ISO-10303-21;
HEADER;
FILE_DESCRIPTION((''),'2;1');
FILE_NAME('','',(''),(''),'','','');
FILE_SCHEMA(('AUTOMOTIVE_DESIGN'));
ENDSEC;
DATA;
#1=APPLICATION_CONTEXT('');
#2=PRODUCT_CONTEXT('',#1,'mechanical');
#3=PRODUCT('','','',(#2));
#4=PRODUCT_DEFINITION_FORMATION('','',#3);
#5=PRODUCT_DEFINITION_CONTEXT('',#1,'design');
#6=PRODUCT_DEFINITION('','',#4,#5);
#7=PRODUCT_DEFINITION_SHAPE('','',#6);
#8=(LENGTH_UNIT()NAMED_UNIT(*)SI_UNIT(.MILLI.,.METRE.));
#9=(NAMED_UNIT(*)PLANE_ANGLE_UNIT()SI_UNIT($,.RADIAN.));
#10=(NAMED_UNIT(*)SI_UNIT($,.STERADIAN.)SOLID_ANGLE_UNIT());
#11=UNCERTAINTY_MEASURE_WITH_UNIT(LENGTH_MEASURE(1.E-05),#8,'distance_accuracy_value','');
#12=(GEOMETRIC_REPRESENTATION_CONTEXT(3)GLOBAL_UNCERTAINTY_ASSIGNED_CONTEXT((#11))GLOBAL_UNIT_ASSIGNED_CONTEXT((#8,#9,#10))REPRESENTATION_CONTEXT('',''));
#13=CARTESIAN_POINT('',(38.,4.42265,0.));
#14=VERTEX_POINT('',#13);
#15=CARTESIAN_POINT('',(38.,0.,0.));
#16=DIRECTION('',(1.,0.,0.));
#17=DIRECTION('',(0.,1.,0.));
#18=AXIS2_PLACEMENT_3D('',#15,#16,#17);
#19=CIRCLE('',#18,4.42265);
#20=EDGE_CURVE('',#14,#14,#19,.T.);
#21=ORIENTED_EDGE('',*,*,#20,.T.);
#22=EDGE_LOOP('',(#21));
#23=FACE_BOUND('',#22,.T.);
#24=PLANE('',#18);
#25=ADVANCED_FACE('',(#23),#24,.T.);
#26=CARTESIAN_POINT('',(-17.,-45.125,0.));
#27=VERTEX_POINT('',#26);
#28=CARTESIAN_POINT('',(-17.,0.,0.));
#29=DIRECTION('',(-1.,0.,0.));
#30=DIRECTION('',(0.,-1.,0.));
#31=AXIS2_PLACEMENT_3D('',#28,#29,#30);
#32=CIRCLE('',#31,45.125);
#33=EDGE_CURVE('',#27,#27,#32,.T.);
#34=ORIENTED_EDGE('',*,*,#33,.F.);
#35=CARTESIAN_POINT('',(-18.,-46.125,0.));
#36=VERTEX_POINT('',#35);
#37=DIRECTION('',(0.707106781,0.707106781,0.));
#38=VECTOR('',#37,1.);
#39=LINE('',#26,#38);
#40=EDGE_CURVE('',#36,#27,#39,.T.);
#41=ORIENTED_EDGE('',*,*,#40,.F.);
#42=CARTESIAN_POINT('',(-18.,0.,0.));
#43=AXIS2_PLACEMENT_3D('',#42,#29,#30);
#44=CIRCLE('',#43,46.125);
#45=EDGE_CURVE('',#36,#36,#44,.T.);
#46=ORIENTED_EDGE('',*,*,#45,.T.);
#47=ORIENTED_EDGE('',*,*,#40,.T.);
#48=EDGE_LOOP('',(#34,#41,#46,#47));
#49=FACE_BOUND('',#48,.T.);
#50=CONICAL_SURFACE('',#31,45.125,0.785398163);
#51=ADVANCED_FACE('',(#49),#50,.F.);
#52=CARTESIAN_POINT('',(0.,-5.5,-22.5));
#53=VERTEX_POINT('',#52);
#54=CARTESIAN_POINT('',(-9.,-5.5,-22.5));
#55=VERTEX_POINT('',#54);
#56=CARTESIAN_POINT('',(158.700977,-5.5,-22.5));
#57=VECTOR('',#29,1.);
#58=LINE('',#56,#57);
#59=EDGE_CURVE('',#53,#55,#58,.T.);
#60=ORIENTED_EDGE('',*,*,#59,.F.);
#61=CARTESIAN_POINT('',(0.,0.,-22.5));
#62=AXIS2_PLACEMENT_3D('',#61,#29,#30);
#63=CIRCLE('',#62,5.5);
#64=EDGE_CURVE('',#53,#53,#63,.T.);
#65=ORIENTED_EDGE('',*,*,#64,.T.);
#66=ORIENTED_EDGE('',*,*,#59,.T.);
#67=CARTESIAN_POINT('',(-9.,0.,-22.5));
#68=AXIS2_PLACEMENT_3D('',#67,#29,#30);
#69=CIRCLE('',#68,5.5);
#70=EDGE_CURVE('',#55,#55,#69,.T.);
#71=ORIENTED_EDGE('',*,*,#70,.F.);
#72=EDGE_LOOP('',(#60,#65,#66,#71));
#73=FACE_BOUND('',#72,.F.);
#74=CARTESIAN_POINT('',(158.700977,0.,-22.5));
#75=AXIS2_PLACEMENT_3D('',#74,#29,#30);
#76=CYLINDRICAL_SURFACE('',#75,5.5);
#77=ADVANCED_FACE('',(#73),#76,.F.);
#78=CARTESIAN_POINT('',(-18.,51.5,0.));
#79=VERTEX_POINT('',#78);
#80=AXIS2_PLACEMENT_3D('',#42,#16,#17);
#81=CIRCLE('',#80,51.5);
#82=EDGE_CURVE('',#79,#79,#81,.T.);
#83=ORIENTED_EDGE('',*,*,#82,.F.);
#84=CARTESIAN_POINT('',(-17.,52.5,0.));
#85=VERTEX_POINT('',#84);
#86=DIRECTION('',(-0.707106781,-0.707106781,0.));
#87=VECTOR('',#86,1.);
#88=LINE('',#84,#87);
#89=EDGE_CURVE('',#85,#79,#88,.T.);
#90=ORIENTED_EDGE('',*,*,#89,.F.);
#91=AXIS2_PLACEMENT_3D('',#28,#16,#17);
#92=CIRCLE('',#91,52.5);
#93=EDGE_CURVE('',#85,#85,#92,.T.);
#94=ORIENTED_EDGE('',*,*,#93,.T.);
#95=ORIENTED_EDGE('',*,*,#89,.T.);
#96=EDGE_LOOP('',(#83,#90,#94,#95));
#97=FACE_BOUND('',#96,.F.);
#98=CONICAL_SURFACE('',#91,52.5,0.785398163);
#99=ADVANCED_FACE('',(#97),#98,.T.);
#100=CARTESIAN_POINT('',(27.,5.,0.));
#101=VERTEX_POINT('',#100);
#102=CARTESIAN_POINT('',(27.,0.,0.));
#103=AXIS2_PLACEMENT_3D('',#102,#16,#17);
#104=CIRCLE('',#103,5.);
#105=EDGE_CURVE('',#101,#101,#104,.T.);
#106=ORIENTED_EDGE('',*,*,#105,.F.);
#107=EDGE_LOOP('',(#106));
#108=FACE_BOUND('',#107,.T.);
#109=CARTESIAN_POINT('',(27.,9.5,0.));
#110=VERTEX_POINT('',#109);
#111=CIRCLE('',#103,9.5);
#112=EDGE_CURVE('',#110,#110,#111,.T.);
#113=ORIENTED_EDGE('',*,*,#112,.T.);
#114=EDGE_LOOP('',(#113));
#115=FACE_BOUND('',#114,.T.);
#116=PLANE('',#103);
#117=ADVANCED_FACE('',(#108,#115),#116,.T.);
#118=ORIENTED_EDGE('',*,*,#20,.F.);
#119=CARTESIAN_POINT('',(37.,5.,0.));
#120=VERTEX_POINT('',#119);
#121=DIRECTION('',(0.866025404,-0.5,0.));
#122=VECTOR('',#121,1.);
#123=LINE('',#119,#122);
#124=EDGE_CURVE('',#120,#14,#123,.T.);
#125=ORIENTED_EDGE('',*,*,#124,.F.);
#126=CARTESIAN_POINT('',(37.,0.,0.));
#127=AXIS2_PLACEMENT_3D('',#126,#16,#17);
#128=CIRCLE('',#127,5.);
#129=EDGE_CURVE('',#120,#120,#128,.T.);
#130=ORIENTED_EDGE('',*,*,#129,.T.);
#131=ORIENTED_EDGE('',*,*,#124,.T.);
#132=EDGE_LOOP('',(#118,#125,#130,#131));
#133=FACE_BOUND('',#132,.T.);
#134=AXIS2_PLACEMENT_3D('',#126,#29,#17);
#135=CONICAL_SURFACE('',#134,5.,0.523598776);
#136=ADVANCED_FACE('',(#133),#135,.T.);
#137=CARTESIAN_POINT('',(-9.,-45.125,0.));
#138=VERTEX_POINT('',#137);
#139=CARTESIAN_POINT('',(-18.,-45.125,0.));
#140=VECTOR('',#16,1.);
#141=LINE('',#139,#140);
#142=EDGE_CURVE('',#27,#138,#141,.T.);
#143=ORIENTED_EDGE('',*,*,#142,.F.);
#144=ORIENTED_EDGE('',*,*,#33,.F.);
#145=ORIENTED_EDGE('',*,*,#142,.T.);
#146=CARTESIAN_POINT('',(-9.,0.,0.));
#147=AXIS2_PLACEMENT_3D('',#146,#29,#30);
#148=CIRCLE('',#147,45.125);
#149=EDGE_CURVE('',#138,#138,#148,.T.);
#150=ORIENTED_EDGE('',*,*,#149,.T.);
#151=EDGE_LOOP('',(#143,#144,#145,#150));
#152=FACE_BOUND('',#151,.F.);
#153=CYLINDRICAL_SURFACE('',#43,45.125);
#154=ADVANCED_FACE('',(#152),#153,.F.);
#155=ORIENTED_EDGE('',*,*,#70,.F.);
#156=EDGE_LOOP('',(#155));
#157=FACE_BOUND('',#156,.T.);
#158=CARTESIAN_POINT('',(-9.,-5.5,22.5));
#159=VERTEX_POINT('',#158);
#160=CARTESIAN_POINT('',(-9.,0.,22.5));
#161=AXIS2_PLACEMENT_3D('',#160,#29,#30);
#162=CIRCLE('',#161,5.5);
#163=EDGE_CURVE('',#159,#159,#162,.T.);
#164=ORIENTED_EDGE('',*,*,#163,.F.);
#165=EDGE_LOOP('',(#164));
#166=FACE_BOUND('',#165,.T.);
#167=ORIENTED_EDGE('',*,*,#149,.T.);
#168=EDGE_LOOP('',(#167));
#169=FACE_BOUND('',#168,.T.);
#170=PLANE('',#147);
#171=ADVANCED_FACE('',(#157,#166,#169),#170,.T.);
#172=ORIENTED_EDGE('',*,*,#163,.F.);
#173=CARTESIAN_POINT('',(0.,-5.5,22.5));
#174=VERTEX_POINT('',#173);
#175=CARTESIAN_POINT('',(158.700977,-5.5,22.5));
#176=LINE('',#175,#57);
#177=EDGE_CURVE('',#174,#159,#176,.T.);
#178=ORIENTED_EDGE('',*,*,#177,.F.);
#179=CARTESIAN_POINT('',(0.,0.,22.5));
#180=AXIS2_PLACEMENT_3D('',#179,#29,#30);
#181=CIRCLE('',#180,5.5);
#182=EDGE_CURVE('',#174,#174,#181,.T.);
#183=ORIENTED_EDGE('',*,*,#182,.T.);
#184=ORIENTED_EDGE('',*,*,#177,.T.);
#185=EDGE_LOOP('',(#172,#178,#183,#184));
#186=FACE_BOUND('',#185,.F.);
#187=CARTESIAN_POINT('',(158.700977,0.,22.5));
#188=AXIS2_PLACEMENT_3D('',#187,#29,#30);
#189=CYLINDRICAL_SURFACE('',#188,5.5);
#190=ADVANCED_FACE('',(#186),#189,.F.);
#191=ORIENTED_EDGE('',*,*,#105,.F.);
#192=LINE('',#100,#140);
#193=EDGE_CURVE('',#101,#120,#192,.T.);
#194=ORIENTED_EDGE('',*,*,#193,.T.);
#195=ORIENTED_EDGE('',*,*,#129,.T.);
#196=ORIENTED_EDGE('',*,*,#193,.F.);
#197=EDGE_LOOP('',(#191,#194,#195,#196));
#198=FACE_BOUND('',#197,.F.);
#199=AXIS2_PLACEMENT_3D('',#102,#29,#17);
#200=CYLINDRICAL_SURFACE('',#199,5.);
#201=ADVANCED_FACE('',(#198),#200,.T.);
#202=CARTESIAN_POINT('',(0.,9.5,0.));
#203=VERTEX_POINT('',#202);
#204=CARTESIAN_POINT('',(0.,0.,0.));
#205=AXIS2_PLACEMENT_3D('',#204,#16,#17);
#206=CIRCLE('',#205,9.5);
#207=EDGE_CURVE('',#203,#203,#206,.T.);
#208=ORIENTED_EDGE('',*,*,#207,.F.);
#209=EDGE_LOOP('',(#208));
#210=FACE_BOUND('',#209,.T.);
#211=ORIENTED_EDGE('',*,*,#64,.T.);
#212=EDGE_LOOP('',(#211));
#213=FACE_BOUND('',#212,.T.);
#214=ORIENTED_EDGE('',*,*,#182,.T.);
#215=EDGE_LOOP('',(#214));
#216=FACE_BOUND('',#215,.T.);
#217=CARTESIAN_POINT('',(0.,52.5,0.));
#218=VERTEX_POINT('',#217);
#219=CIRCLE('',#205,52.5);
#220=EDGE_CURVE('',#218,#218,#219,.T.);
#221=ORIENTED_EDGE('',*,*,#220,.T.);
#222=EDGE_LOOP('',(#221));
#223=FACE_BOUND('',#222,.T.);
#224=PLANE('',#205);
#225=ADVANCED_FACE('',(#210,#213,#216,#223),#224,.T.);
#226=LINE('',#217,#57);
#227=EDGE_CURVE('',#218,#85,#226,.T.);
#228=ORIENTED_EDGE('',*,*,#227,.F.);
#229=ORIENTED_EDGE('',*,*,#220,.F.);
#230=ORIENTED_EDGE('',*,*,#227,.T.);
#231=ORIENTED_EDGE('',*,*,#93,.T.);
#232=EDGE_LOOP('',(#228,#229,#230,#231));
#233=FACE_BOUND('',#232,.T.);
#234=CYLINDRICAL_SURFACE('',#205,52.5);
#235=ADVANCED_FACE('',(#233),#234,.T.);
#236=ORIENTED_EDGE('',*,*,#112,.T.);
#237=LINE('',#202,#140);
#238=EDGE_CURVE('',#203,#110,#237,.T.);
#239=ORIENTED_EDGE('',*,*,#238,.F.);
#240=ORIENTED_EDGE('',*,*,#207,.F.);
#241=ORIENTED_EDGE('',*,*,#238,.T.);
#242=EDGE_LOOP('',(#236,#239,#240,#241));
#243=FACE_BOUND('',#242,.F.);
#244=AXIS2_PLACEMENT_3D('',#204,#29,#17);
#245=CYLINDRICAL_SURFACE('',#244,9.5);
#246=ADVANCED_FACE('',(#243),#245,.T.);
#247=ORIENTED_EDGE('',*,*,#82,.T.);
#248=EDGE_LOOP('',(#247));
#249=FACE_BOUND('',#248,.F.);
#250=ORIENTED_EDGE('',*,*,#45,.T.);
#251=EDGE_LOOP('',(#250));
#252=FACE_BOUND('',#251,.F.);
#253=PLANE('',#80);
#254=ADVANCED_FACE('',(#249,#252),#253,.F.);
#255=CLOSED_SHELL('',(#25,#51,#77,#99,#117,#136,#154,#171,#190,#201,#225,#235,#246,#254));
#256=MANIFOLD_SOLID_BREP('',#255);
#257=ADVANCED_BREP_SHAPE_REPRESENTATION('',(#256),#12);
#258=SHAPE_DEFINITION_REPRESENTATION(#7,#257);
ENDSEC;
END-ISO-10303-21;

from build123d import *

# Parameters (mm, degrees)
F0_R     = 52.5
F1_DEPTH = 18
F2_R     = 45.125
F3_DEPTH = 9
F4_SIZE  = 1
F5_R     = 9.5
F6_DEPTH = 27
F7_R     = 5
F8_DEPTH = 11
F9_SIZE2 = 0.5773502692
F9_SIZE  = 1
F11_D    = 11


with BuildPart() as f1:
    # F0 (on Right) → F1 (new body)
    with BuildSketch(Plane.YZ):
        Circle(F0_R)
    extrude(amount=-F1_DEPTH)

    # F2 (on face) → F3 (cut)
    with BuildSketch(Plane(origin=(-18, 0, 0), x_dir=(0, -1, 0), z_dir=(-1, 0, 0))):
        Circle(F2_R)
    extrude(amount=-F3_DEPTH, mode=Mode.SUBTRACT)

    # F4
    f4_edges = [f1.edges().sort_by_distance(p)[0] for p in [
        (-18, -52.5, 0),
        (-18, 45.125, 0),
    ]]
    chamfer(f4_edges, length=F4_SIZE)

    # F5 (on face) → F6 (join)
    with BuildSketch(Plane.YZ):
        Circle(F5_R)
    extrude(amount=F6_DEPTH)

    # F7 (on face) → F8 (join)
    with BuildSketch(Plane.YZ.offset(27)):
        Circle(F7_R)
    extrude(amount=F8_DEPTH)

    # F9
    f9_edges = [f1.edges().sort_by_distance(p)[0] for p in [
        (38, -5, 0),
    ]]
    f9_side = f1.faces().sort_by_distance((32.5, -5, 0))[0]
    chamfer(f9_edges, length=F9_SIZE, length2=F9_SIZE2, reference=f9_side)

    # F11 (through all)
    with Locations(Plane.YZ):
        with Locations((0, -22.5), (0, 22.5)):
            Hole(F11_D / 2)


solid = f1.part
